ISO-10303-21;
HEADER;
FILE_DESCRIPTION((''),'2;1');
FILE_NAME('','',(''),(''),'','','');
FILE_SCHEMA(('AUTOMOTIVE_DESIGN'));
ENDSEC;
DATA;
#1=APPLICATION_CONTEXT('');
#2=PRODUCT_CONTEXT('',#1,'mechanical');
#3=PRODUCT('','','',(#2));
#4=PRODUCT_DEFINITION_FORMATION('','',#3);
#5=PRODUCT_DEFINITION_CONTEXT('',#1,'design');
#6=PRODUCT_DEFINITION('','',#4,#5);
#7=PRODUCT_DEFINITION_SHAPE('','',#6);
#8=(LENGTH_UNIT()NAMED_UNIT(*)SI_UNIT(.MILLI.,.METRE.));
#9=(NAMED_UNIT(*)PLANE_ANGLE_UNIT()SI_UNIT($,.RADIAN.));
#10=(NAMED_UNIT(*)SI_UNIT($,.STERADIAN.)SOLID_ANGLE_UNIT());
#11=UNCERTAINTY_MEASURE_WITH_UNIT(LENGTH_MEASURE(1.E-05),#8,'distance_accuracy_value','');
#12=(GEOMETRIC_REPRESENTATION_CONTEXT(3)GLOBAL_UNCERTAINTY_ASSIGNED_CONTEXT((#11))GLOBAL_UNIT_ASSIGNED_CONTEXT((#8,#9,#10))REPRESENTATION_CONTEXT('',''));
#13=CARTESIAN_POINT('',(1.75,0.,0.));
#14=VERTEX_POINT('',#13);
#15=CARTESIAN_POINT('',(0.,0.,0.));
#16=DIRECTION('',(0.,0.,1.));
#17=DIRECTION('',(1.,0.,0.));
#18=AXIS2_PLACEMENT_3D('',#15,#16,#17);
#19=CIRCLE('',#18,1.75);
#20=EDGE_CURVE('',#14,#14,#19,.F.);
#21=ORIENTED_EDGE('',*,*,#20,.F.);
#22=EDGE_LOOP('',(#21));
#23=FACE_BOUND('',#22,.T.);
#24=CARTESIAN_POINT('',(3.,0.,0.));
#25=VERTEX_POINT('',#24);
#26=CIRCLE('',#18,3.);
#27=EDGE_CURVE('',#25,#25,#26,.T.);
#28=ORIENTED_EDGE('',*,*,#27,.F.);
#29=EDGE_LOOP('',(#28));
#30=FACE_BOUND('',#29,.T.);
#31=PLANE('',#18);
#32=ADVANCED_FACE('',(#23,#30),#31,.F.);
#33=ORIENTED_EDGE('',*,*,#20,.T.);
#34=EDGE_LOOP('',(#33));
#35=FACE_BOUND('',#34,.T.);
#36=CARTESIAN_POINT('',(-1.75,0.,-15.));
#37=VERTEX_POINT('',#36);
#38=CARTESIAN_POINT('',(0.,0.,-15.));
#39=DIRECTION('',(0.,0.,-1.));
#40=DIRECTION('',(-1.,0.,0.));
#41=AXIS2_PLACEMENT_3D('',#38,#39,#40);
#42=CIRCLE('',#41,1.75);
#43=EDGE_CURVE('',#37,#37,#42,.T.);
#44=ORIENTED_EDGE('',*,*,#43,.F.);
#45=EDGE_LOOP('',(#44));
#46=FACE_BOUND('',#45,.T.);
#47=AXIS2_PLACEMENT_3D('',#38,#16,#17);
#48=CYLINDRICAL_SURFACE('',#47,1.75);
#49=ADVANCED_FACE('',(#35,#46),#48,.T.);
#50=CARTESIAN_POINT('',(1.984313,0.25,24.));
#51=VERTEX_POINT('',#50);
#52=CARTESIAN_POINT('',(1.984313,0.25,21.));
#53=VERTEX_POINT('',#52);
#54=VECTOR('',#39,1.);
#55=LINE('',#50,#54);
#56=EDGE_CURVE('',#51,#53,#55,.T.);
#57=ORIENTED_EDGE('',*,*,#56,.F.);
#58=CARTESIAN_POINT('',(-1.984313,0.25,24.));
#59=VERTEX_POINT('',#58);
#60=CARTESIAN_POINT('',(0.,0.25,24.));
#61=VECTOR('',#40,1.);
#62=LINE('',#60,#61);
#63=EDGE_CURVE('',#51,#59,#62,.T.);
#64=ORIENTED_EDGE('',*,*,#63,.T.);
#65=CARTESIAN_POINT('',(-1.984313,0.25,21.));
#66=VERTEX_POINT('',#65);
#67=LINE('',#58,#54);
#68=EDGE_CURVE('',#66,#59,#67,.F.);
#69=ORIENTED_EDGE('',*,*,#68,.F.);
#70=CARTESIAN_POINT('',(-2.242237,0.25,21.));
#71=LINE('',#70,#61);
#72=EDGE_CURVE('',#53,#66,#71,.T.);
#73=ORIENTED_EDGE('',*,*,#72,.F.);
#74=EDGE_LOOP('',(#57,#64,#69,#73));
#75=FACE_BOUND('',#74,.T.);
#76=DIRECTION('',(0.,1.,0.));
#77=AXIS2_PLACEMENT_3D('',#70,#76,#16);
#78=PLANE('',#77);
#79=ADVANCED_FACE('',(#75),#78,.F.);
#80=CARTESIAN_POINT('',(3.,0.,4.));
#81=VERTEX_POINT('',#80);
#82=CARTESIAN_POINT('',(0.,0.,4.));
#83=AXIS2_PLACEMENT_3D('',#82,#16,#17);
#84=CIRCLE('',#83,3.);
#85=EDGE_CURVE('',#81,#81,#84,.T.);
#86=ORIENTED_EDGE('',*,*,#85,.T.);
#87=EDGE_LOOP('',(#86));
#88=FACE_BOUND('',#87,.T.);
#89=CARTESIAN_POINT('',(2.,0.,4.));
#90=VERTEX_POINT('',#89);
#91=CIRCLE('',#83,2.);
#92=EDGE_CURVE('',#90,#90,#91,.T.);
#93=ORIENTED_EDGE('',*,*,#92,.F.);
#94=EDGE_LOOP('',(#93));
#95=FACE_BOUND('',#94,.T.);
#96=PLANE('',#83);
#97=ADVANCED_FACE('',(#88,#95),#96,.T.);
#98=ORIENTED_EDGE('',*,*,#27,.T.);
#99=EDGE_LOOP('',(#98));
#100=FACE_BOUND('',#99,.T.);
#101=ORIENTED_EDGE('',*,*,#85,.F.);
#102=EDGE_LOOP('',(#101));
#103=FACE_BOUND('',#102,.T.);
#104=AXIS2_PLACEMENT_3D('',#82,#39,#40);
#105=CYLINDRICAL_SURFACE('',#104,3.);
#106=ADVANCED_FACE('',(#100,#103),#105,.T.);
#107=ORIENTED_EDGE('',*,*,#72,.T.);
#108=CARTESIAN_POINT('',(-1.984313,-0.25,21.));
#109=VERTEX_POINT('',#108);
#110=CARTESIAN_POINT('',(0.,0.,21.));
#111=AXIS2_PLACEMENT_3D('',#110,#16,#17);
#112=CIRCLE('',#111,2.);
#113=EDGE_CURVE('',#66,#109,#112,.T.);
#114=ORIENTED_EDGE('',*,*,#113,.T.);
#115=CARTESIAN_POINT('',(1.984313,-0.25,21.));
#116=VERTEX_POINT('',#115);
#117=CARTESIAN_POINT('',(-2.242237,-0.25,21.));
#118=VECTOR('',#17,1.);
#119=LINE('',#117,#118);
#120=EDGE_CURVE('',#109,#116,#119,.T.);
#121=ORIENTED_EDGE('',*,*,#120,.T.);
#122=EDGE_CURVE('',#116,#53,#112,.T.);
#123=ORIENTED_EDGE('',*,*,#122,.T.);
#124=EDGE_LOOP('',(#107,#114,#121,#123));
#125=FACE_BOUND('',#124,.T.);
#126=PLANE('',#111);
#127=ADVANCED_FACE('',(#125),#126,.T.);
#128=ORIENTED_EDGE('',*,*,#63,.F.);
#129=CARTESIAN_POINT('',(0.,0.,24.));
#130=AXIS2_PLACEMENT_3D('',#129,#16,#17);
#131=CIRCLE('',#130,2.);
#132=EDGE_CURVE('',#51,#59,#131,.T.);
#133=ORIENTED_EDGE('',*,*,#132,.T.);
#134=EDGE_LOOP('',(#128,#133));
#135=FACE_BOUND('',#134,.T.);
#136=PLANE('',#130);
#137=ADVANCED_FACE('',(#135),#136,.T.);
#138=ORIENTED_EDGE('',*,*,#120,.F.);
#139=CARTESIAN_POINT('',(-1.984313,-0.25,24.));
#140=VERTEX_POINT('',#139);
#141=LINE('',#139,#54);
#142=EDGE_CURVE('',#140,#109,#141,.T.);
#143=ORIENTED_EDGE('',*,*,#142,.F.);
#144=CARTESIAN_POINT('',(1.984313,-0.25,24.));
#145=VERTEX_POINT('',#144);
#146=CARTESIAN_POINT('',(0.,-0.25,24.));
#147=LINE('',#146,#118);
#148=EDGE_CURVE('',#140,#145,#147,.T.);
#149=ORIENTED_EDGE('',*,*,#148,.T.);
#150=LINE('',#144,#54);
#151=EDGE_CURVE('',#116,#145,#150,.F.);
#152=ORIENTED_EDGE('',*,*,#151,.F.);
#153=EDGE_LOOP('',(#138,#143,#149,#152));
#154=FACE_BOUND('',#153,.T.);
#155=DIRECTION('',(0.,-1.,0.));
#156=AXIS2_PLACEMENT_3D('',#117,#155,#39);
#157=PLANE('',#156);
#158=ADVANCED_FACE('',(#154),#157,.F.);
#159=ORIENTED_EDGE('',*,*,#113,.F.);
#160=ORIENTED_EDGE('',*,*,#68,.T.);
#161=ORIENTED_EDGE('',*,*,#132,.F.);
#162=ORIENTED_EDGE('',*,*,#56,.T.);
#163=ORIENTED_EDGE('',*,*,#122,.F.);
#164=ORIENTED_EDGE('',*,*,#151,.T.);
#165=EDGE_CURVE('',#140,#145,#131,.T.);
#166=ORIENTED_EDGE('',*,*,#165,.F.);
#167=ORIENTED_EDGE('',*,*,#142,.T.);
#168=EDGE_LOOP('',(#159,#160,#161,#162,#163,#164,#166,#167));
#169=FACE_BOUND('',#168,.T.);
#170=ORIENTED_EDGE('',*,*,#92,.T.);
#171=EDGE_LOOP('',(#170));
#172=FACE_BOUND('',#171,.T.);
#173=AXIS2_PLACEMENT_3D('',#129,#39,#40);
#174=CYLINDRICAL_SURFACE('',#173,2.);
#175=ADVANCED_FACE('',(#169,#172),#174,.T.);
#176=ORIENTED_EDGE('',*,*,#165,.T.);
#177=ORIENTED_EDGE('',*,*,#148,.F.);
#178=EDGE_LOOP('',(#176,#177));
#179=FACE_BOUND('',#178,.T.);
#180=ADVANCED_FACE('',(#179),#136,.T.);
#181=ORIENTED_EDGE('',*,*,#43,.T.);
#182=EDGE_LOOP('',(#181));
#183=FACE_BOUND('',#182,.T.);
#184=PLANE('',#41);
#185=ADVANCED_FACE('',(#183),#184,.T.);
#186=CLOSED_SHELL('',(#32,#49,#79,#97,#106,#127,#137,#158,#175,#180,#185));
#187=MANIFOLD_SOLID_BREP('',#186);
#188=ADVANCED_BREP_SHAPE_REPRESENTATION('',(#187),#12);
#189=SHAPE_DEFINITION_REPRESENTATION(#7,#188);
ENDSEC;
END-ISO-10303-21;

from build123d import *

# Parameters (mm, degrees)
SKETCH_1_R          = 3
EXTRUDE_1_DEPTH     = 4
SKETCH_2_R          = 2
EXTRUDE_2_DEPTH     = 20
SKETCH_3_R          = 1.75
EXTRUDE_3_DEPTH     = 15
SKETCH_4_W          = 4.461198183
SKETCH_4_H          = 0.5
CUT_EXTRUDE_1_DEPTH = 3


with BuildPart() as part:
    # 스케치1 → 보스-돌출1 (new body)
    with BuildSketch(Plane.XY):
        Circle(SKETCH_1_R)
    extrude(amount=EXTRUDE_1_DEPTH)

    # 스케치2 → 보스-돌출2 (add)
    with BuildSketch(Plane.XY.offset(4)):
        Circle(SKETCH_2_R)
    extrude(amount=EXTRUDE_2_DEPTH)

    # 스케치3 → 보스-돌출3 (add)
    with BuildSketch(Plane(origin=(0, 0, 0), x_dir=(-1, 0, 0), z_dir=(0, 0, -1))):
        Circle(SKETCH_3_R)
    extrude(amount=EXTRUDE_3_DEPTH)

    # 스케치4 → 컷-돌출1 (cut)
    with BuildSketch(Plane.XY.offset(24)):
        with Locations((-0.011637909, 0)):
            Rectangle(SKETCH_4_W, SKETCH_4_H)
    extrude(amount=-CUT_EXTRUDE_1_DEPTH, mode=Mode.SUBTRACT)


solid = part.part
